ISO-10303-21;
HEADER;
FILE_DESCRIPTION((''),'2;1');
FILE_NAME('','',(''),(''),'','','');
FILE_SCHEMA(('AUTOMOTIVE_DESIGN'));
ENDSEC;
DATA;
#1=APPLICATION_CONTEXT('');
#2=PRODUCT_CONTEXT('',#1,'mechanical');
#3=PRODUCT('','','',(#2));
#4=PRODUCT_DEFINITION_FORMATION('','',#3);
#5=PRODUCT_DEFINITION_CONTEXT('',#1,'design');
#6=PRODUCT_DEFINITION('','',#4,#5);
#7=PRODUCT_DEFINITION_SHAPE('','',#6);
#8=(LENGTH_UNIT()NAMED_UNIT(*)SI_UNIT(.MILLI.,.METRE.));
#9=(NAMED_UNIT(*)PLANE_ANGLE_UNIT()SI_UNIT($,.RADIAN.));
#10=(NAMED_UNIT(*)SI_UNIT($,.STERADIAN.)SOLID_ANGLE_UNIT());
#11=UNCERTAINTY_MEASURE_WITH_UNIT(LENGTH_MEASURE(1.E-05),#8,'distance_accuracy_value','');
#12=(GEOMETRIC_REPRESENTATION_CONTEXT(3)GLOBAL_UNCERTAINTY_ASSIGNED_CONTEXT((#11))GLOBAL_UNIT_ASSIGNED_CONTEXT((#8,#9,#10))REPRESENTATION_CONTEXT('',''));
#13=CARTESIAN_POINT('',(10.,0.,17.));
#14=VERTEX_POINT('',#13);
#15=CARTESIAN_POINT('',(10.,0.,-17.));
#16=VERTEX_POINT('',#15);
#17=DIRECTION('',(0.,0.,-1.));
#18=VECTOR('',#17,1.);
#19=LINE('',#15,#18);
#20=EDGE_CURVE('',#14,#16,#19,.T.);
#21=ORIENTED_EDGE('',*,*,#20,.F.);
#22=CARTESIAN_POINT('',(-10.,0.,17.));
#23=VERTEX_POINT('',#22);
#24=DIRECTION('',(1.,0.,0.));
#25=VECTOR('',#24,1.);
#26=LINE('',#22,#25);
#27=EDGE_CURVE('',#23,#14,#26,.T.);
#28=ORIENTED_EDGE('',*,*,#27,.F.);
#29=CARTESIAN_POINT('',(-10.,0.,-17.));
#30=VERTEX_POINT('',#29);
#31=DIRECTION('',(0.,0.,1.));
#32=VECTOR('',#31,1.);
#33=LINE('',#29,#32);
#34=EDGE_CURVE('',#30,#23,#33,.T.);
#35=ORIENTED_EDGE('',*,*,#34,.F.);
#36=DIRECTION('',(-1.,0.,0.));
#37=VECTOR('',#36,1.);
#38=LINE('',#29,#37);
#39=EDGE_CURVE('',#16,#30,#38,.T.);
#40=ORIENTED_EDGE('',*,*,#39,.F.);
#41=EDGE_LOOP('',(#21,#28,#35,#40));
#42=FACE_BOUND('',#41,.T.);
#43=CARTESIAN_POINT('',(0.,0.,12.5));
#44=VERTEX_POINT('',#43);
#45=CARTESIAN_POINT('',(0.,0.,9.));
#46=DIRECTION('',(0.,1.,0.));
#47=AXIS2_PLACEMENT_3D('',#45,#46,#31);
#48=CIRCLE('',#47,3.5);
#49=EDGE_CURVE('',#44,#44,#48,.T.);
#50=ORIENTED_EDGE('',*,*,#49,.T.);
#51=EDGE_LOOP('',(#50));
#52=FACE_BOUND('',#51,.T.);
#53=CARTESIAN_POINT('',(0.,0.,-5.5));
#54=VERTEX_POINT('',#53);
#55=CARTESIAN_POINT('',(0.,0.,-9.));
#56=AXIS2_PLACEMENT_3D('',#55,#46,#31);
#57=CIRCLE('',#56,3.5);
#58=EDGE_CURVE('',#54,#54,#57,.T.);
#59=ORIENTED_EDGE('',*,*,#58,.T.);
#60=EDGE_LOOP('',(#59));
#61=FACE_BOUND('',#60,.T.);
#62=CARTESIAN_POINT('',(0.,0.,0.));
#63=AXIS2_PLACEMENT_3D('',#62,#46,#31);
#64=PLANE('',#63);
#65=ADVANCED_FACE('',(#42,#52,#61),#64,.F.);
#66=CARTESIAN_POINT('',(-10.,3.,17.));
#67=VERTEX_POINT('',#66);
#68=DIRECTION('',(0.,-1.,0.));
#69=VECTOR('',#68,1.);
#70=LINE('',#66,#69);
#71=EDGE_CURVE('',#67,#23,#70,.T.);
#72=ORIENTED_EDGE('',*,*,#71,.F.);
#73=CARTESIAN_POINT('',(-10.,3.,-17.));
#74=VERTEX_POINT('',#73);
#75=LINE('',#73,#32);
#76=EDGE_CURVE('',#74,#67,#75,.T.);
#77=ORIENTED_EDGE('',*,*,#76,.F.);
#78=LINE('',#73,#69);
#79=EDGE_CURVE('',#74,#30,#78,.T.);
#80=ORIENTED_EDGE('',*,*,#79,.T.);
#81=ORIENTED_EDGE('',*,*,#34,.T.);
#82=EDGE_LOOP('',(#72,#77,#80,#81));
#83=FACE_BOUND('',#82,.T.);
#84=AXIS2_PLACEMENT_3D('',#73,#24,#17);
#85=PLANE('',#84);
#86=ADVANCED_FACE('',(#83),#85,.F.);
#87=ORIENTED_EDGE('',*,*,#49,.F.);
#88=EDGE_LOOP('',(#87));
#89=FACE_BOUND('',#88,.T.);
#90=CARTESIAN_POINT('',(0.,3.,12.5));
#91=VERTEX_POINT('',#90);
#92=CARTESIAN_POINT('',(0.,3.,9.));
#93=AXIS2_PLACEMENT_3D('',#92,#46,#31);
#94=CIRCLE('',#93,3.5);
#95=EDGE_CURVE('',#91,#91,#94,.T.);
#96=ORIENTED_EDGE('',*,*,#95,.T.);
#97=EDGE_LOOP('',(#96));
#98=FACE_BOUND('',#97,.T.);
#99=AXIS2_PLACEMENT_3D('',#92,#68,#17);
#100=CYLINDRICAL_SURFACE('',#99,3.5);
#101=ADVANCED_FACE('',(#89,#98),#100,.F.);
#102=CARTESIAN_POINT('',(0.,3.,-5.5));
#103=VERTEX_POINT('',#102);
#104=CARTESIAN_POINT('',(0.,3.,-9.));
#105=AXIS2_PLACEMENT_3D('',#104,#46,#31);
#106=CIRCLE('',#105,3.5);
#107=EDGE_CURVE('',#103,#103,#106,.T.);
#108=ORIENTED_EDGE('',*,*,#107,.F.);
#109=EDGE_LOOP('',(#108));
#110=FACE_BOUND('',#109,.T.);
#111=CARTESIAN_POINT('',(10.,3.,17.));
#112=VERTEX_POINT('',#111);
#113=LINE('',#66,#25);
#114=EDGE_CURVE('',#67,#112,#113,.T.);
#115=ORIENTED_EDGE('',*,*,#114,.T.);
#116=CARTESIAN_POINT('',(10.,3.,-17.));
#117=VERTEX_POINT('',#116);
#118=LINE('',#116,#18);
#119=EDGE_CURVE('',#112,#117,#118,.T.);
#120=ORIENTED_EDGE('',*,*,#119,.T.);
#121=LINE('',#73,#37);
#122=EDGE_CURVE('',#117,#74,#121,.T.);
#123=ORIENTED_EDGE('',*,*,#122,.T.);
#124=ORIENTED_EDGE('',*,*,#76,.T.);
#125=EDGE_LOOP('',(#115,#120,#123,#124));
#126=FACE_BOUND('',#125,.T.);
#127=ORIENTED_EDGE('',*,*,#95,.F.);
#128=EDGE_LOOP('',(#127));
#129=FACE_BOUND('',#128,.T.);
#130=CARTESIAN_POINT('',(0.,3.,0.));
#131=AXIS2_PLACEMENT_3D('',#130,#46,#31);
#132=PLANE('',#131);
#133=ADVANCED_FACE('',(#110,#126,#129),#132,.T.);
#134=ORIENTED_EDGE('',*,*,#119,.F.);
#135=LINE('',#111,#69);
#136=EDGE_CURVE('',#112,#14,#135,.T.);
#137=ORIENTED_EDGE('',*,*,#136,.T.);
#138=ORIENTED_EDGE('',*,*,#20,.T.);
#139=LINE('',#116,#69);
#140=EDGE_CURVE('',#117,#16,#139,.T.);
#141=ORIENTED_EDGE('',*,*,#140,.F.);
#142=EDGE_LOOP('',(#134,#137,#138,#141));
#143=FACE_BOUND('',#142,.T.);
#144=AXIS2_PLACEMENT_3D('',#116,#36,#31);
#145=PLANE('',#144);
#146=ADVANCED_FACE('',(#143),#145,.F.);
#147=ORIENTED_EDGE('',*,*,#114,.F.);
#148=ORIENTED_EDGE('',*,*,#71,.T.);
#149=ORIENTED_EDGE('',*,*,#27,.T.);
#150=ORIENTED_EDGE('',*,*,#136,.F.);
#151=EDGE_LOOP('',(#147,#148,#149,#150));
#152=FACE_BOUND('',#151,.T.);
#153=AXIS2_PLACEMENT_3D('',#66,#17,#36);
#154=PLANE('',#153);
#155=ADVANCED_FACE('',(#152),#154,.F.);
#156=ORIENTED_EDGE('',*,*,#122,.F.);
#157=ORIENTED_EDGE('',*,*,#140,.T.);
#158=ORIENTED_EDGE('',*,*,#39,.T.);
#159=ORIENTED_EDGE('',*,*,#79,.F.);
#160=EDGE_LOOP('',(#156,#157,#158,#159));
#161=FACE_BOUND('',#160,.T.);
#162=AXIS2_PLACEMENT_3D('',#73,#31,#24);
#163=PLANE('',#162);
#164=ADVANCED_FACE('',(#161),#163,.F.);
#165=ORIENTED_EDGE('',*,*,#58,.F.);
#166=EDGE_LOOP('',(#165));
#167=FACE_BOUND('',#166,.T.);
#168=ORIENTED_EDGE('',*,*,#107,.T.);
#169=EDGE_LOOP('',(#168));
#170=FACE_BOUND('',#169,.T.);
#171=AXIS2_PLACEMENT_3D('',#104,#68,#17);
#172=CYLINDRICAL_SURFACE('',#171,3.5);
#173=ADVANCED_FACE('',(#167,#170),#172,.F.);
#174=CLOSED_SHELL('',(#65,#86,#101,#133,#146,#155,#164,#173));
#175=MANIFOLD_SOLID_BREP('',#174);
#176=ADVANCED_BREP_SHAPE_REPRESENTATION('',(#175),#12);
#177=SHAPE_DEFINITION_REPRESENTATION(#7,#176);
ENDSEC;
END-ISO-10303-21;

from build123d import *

# Parameters (mm, degrees)
SKETCH1_W           = 20
SKETCH1_H           = 34
SKETCH1_R           = 3.5
BOSS_EXTRUDE1_DEPTH = 3


with BuildPart() as part:
    # Sketch1 → Boss-Extrude1 (new body)
    with BuildSketch(Plane(origin=(0, 0, 0), x_dir=(1, 0, 0), z_dir=(0, 1, 0))):
        Rectangle(SKETCH1_W, SKETCH1_H)
        with Locations(Location((0, -9, 0), (0, 0, 270))):
            Circle(SKETCH1_R, mode=Mode.SUBTRACT)
        with Locations(Location((0, 9, 0), (0, 0, 270))):
            Circle(SKETCH1_R, mode=Mode.SUBTRACT)
    extrude(amount=BOSS_EXTRUDE1_DEPTH)


solid = part.part
